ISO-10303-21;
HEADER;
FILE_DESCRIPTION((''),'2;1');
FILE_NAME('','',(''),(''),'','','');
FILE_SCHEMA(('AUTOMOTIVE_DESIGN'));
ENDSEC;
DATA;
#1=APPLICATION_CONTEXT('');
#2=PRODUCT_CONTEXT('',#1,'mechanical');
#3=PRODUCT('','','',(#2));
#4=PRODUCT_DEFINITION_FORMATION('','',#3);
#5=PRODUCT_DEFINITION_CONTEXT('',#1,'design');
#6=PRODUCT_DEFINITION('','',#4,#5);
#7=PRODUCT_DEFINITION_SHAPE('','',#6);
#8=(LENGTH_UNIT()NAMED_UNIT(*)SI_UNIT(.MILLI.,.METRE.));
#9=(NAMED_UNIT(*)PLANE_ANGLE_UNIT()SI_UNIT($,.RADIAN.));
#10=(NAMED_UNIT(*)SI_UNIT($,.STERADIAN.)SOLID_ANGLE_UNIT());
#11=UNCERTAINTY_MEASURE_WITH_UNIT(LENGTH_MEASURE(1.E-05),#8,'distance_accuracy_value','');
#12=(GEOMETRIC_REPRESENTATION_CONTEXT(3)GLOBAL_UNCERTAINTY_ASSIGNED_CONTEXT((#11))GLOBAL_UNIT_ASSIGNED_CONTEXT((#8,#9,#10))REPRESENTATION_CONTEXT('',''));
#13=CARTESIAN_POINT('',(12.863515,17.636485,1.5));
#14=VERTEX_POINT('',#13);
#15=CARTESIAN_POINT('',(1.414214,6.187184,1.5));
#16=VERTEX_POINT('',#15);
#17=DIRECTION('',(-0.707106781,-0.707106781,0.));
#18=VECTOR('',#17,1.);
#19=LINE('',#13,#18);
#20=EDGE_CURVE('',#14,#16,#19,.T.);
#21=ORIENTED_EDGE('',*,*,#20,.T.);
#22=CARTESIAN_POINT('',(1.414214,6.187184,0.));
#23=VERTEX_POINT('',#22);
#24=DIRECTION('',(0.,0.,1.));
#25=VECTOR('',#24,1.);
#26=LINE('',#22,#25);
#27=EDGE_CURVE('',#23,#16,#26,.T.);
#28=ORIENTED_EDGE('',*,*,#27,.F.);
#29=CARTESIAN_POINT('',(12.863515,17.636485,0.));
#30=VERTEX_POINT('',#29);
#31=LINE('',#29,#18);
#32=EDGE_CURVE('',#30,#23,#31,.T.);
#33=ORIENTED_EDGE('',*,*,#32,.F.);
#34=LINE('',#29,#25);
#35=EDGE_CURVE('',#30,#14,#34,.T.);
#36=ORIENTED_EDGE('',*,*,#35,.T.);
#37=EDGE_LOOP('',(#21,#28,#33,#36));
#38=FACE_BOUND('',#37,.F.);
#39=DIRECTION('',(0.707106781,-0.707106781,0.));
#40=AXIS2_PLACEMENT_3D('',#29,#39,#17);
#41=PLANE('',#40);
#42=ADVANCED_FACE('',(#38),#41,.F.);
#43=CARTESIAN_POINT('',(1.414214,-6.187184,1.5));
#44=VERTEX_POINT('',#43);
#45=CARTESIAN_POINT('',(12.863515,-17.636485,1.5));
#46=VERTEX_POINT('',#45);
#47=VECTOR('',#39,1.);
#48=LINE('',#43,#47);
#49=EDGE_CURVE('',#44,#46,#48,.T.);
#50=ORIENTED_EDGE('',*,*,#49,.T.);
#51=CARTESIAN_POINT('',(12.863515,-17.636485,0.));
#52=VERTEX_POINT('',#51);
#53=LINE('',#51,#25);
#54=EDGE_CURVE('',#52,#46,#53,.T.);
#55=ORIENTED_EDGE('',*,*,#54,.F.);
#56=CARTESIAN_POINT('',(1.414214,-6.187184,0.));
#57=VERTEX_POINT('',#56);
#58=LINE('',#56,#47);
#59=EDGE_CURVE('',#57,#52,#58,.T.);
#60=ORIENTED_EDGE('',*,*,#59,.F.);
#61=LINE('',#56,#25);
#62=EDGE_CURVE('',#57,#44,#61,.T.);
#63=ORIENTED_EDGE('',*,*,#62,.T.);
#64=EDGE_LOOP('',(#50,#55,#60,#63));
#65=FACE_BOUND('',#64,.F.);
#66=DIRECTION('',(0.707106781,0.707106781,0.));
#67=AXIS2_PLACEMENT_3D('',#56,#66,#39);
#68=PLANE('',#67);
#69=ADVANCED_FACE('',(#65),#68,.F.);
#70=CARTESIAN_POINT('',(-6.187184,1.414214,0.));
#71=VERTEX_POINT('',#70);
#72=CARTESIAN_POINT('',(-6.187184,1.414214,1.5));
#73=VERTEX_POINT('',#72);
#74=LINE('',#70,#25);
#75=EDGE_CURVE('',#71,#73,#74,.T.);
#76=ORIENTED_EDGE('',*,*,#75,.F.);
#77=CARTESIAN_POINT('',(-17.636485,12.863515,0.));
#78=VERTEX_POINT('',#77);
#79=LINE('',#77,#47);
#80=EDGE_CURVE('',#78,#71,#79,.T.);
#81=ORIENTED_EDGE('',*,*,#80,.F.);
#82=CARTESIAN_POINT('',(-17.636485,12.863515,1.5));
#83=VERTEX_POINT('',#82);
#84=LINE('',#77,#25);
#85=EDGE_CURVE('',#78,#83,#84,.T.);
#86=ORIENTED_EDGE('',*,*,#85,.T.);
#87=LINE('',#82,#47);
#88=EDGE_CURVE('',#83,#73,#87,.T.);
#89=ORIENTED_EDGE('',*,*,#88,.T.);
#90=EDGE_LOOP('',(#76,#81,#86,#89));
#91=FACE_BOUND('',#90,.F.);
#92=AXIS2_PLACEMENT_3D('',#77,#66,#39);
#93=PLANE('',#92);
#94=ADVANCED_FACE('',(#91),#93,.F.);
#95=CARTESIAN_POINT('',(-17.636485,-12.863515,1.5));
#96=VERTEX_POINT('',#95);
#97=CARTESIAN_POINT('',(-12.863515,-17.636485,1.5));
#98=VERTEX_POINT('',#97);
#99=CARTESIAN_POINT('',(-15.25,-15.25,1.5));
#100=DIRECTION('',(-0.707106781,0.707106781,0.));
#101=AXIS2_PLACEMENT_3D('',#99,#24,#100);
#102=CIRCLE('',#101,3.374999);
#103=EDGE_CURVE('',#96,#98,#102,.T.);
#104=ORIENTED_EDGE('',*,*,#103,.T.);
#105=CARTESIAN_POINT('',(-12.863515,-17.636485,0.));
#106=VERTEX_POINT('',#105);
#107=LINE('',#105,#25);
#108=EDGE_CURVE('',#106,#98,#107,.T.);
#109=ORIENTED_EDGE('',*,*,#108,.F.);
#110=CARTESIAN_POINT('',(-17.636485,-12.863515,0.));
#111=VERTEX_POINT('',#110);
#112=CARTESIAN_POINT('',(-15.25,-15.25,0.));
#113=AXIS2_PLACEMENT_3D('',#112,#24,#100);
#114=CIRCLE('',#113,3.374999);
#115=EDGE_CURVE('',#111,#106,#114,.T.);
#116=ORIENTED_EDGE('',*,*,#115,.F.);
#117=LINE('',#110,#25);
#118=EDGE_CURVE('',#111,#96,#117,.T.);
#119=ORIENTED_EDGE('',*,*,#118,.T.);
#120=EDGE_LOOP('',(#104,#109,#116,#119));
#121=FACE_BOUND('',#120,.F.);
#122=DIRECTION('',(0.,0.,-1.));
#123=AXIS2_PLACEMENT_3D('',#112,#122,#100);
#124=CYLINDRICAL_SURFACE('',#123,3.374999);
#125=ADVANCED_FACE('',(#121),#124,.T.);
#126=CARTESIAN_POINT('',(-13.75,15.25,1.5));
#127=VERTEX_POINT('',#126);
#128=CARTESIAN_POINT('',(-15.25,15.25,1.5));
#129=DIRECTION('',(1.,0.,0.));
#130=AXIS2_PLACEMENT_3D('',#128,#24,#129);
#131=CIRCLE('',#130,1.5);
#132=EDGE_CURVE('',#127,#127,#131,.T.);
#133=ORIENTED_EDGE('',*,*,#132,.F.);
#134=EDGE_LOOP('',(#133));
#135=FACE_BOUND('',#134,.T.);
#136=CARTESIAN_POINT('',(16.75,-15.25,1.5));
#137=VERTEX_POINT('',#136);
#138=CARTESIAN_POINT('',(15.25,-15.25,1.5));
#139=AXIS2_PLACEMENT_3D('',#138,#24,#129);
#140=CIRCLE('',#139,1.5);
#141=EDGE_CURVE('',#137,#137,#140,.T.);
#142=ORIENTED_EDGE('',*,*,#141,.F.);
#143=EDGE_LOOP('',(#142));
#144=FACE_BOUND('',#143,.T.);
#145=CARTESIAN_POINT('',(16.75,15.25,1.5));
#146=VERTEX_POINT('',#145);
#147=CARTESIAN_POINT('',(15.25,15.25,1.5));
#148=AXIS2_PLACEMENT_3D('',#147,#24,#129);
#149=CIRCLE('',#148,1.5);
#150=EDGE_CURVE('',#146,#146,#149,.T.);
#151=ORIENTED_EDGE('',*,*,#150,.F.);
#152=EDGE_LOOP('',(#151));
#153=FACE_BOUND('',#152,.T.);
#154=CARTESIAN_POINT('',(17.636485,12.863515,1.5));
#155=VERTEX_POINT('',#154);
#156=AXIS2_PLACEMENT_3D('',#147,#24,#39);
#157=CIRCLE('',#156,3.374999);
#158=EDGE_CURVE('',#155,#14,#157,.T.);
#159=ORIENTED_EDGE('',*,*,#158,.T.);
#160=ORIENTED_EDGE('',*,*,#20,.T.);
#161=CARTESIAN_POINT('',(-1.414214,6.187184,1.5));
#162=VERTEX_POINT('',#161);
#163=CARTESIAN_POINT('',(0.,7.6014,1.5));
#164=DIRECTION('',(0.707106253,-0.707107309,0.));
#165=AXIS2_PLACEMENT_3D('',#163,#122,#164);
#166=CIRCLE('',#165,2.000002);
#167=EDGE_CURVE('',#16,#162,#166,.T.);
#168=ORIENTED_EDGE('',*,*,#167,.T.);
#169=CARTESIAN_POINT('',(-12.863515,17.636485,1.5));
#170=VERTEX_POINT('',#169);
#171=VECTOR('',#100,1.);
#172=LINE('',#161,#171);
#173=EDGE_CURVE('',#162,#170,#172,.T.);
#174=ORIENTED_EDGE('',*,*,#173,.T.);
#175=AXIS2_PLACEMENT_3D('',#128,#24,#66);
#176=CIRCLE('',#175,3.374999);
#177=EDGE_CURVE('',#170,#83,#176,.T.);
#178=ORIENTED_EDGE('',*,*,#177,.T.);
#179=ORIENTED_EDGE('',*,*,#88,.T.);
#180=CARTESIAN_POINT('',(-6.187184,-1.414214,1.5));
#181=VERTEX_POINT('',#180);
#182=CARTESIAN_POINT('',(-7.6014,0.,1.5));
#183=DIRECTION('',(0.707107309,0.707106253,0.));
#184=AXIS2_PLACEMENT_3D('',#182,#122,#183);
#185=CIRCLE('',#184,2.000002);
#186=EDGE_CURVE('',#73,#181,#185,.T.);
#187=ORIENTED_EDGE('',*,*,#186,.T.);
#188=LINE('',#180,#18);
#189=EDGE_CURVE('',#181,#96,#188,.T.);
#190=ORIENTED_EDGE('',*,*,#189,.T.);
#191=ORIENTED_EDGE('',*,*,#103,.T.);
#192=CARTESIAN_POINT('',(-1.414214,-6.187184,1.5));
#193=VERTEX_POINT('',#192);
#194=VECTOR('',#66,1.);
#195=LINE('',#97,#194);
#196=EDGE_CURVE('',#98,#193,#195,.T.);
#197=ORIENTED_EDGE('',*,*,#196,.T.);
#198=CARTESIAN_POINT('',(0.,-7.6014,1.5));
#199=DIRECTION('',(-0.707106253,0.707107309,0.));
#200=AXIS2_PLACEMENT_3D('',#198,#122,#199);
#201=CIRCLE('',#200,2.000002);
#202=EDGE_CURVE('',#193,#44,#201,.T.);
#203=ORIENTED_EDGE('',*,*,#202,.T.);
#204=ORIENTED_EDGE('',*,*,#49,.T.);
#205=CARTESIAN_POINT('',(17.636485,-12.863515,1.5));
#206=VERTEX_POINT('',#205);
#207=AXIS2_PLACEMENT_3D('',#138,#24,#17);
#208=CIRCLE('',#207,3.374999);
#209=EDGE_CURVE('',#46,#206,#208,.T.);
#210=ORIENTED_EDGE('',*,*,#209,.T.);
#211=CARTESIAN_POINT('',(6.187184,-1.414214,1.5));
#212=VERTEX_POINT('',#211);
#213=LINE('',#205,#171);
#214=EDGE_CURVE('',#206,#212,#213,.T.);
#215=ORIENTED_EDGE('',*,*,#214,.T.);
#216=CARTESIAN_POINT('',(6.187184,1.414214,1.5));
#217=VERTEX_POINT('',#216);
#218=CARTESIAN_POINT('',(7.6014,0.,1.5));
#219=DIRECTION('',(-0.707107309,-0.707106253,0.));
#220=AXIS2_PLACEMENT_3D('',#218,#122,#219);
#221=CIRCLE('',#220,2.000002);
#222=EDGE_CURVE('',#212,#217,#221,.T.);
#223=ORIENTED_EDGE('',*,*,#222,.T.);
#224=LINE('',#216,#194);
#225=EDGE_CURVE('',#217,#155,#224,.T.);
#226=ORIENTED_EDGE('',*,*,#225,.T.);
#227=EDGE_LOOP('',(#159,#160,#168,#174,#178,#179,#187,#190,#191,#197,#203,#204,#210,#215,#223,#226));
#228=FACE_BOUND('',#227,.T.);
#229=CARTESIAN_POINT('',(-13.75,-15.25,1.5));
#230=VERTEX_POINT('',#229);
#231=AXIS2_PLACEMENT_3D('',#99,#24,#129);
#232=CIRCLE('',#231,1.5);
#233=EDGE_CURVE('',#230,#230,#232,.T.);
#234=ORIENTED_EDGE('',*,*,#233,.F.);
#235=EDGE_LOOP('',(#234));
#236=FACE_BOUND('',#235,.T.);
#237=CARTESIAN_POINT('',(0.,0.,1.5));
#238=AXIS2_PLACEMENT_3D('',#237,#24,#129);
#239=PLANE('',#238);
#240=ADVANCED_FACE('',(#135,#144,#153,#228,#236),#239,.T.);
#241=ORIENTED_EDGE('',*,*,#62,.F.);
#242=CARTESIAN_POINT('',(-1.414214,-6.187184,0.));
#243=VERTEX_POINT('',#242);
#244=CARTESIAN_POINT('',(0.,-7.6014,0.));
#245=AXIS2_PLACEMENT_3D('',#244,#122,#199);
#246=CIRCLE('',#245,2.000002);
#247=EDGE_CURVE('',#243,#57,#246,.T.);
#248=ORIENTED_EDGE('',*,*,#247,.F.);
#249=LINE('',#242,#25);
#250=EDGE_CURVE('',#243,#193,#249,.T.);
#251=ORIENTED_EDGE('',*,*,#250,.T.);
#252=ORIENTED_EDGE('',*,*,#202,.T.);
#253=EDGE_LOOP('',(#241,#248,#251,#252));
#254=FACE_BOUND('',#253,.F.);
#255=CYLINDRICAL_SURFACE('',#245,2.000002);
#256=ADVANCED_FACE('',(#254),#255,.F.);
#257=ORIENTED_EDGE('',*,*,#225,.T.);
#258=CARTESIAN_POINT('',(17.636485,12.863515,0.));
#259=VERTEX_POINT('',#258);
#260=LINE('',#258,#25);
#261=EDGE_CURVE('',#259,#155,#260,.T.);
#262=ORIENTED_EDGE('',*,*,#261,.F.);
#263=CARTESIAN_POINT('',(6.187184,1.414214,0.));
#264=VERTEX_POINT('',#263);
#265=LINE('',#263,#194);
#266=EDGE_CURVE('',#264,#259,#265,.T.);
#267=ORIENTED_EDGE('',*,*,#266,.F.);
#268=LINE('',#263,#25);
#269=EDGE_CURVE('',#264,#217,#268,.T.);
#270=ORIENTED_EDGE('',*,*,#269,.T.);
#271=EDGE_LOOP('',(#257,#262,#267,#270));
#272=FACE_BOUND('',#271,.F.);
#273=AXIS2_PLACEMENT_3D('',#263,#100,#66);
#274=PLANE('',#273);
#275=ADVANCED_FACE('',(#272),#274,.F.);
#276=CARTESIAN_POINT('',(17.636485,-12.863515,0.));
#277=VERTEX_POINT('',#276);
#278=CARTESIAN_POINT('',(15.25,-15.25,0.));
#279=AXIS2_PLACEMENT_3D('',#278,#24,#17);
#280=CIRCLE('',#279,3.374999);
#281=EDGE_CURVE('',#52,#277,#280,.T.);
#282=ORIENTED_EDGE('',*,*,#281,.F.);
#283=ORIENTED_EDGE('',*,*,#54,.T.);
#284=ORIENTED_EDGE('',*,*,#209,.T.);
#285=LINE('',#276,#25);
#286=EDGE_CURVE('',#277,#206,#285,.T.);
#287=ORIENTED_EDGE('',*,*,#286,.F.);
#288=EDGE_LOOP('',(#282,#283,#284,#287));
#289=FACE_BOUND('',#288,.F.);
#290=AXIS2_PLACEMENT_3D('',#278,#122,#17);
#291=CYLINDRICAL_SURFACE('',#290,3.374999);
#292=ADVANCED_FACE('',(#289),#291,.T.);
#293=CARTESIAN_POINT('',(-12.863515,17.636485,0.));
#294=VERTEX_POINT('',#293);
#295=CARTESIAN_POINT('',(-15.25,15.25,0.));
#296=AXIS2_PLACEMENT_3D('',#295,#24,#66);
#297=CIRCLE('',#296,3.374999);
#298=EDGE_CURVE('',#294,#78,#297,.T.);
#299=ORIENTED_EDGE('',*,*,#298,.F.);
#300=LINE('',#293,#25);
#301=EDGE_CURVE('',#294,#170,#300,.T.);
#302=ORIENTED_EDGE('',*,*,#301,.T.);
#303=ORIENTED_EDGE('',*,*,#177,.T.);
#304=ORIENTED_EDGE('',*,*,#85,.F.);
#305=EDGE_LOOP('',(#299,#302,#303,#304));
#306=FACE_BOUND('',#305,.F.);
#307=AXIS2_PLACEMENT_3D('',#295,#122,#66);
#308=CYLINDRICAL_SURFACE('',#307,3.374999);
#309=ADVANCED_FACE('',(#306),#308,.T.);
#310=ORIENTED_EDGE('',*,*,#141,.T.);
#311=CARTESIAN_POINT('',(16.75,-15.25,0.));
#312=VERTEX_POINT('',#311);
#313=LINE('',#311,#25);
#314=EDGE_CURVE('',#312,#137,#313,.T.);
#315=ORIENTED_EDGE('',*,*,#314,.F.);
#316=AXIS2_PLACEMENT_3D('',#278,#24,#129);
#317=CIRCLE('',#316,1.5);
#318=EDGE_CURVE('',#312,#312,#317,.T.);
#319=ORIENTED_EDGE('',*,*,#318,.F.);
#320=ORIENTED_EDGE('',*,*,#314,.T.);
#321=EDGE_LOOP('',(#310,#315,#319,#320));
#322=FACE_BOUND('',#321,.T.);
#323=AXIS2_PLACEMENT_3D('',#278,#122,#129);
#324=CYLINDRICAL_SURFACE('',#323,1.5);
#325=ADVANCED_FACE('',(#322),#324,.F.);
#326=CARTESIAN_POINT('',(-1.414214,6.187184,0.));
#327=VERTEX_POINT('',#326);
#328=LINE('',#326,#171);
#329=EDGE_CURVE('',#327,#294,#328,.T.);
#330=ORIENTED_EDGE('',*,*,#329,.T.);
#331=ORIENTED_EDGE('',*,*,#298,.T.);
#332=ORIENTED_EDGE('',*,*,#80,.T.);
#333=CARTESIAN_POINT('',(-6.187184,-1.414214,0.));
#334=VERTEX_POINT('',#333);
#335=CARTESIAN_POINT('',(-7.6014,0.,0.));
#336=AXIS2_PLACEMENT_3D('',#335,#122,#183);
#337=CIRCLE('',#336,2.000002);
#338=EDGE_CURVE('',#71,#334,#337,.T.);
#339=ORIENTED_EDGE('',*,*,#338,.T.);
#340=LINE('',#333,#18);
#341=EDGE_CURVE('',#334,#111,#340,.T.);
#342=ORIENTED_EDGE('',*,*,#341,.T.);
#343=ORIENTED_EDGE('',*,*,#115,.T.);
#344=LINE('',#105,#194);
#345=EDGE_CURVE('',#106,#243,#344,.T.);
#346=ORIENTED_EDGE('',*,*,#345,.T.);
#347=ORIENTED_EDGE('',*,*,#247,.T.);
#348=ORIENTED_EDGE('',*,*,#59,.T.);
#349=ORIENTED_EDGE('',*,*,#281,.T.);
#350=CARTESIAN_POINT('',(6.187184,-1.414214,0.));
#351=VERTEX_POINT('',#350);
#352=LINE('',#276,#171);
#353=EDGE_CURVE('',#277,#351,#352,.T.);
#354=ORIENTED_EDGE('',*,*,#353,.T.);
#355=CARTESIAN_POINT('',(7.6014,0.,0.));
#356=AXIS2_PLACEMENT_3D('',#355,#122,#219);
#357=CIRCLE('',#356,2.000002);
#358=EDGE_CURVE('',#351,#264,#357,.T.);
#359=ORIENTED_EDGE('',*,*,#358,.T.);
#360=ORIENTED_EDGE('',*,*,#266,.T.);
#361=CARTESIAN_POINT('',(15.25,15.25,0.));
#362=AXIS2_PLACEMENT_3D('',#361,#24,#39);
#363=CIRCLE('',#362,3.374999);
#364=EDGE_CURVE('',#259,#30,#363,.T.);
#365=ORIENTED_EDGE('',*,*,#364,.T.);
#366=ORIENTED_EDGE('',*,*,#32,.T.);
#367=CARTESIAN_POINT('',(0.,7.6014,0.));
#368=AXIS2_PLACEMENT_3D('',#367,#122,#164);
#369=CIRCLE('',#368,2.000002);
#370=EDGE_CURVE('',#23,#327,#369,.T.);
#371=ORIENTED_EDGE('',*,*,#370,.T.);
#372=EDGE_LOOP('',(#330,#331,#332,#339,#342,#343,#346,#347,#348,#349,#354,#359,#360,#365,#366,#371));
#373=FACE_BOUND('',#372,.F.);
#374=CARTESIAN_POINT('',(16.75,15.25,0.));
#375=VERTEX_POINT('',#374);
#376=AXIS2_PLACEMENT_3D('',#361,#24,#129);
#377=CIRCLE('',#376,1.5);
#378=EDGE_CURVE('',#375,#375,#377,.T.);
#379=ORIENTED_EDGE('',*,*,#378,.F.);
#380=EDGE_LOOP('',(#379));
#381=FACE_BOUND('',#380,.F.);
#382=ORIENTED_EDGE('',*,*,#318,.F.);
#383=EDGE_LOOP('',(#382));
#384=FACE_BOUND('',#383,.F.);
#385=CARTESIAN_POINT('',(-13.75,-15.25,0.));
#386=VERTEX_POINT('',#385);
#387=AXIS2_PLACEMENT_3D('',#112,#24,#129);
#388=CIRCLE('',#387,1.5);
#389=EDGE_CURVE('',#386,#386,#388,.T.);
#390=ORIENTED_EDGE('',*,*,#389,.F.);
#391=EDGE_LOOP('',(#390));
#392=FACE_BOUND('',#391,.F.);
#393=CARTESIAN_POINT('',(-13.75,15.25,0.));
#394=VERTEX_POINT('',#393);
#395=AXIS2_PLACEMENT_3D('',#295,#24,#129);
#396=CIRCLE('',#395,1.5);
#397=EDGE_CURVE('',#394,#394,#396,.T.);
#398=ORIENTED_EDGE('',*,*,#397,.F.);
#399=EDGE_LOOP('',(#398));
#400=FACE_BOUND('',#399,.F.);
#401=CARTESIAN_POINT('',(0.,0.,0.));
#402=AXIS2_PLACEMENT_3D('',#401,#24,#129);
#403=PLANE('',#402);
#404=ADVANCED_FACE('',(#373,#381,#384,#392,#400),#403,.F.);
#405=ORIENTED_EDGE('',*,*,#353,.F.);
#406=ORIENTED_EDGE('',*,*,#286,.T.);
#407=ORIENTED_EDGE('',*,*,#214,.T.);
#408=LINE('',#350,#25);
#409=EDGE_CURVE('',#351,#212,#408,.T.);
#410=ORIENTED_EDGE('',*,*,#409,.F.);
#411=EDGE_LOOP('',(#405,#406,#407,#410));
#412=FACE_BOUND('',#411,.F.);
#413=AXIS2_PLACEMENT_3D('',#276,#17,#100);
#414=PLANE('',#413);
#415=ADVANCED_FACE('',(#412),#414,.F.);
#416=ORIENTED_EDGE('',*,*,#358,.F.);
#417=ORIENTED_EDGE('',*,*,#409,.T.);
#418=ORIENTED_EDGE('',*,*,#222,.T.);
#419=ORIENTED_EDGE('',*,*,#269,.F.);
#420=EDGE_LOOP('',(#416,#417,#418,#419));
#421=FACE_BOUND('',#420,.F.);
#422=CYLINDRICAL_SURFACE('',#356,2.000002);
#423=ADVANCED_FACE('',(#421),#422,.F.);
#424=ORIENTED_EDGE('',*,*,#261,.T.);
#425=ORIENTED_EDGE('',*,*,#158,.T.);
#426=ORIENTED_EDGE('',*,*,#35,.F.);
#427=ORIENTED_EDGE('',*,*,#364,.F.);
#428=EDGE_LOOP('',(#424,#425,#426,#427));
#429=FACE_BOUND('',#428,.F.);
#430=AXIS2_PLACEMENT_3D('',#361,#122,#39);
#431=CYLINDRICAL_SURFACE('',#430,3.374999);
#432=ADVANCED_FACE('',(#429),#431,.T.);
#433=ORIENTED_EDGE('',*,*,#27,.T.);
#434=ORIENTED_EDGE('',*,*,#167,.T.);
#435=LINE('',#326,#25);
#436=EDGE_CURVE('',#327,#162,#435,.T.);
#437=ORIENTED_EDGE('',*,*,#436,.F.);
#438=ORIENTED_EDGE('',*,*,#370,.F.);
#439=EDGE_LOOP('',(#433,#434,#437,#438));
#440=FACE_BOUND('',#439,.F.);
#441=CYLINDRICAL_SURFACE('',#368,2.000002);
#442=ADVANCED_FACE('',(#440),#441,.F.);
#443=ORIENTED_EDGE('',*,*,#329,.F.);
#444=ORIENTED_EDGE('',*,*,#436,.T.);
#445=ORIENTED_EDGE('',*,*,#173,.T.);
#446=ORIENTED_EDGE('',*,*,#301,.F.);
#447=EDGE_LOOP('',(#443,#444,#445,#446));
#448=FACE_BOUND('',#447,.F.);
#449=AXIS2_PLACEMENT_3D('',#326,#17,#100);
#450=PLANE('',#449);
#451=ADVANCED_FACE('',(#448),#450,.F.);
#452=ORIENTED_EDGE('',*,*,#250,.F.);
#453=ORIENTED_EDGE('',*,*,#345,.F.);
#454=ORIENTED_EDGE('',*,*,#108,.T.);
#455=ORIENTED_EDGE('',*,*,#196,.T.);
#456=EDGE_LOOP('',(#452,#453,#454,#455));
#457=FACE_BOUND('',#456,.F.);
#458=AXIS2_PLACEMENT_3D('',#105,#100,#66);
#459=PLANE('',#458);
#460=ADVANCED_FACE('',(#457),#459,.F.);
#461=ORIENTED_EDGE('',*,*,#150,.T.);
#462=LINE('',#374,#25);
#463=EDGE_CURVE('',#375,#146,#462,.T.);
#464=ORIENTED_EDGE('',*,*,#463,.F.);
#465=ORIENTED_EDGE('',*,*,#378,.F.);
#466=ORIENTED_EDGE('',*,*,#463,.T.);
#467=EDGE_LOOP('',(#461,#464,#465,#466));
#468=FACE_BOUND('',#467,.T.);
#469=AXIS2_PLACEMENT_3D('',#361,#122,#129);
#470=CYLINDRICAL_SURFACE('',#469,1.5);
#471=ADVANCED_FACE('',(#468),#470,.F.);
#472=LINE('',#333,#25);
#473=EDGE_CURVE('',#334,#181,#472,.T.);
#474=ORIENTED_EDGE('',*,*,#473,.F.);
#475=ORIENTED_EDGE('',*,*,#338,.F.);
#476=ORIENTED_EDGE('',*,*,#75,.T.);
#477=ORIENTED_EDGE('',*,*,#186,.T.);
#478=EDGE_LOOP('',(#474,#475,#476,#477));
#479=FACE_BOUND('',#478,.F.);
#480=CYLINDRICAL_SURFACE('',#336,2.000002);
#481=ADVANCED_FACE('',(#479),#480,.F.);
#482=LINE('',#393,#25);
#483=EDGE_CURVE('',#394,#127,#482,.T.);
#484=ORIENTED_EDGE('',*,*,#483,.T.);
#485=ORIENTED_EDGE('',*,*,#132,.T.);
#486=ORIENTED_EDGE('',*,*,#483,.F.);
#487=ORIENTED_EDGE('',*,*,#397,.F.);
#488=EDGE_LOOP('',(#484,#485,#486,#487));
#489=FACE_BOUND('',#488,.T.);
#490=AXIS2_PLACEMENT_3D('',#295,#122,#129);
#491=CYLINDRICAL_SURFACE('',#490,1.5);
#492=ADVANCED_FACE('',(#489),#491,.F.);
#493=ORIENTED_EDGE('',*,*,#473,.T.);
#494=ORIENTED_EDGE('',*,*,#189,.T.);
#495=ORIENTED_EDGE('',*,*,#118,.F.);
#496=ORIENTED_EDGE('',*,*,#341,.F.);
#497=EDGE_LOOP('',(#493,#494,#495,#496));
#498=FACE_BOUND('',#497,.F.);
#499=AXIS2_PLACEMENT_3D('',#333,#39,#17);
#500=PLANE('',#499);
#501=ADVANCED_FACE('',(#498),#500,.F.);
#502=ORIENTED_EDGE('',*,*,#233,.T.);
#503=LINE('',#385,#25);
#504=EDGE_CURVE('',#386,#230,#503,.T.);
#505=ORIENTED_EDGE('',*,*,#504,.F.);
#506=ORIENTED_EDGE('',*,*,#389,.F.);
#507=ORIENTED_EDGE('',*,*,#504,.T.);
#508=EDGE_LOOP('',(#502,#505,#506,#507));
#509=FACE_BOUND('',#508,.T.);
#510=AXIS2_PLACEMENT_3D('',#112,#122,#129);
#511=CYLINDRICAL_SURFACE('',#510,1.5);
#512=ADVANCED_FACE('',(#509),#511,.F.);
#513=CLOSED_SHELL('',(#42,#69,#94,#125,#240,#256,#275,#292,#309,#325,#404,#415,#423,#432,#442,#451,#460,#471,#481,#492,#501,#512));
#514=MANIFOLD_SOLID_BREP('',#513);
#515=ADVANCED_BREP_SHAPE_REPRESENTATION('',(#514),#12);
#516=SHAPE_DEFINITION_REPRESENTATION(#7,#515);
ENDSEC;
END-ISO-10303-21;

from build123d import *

# Parameters (mm, degrees)
F0_R     = 1.5
F1_DEPTH = 1.5


with BuildPart() as f1:
    # F0 (on Top) → F1 (new body)
    with BuildSketch(Plane.XY):
        with BuildLine():
            ThreePointArc((-12.863515, 17.636485), (-17.636485, 17.636485), (-17.636485, 12.863515))
            Line((-17.636485, 12.863515), (-6.187184, 1.414214))
            ThreePointArc((-6.187184, 1.414214), (-5.601398, 0), (-6.187184, -1.414214))
            Line((-6.187184, -1.414214), (-17.636485, -12.863515))
            ThreePointArc((-17.636485, -12.863515), (-17.636485, -17.636485), (-12.863515, -17.636485))
            Line((-12.863515, -17.636485), (-1.414214, -6.187184))
            ThreePointArc((-1.414214, -6.187184), (0, -5.601398), (1.414214, -6.187184))
            Line((1.414214, -6.187184), (12.863515, -17.636485))
            ThreePointArc((12.863515, -17.636485), (17.636485, -17.636485), (17.636485, -12.863515))
            Line((17.636485, -12.863515), (6.187184, -1.414214))
            ThreePointArc((6.187184, -1.414214), (5.601398, 0), (6.187184, 1.414214))
            Line((6.187184, 1.414214), (17.636485, 12.863515))
            ThreePointArc((17.636485, 12.863515), (17.636485, 17.636485), (12.863515, 17.636485))
            Line((12.863515, 17.636485), (1.414214, 6.187184))
            ThreePointArc((1.414214, 6.187184), (0, 5.601398), (-1.414214, 6.187184))
            Line((-1.414214, 6.187184), (-12.863515, 17.636485))
        make_face()
        with Locations((-15.25, -15.25)):
            Circle(F0_R, mode=Mode.SUBTRACT)
        with Locations((15.25, -15.25)):
            Circle(F0_R, mode=Mode.SUBTRACT)
        with Locations((-15.25, 15.25)):
            Circle(F0_R, mode=Mode.SUBTRACT)
        with Locations((15.25, 15.25)):
            Circle(F0_R, mode=Mode.SUBTRACT)
    extrude(amount=F1_DEPTH)


solid = f1.part
